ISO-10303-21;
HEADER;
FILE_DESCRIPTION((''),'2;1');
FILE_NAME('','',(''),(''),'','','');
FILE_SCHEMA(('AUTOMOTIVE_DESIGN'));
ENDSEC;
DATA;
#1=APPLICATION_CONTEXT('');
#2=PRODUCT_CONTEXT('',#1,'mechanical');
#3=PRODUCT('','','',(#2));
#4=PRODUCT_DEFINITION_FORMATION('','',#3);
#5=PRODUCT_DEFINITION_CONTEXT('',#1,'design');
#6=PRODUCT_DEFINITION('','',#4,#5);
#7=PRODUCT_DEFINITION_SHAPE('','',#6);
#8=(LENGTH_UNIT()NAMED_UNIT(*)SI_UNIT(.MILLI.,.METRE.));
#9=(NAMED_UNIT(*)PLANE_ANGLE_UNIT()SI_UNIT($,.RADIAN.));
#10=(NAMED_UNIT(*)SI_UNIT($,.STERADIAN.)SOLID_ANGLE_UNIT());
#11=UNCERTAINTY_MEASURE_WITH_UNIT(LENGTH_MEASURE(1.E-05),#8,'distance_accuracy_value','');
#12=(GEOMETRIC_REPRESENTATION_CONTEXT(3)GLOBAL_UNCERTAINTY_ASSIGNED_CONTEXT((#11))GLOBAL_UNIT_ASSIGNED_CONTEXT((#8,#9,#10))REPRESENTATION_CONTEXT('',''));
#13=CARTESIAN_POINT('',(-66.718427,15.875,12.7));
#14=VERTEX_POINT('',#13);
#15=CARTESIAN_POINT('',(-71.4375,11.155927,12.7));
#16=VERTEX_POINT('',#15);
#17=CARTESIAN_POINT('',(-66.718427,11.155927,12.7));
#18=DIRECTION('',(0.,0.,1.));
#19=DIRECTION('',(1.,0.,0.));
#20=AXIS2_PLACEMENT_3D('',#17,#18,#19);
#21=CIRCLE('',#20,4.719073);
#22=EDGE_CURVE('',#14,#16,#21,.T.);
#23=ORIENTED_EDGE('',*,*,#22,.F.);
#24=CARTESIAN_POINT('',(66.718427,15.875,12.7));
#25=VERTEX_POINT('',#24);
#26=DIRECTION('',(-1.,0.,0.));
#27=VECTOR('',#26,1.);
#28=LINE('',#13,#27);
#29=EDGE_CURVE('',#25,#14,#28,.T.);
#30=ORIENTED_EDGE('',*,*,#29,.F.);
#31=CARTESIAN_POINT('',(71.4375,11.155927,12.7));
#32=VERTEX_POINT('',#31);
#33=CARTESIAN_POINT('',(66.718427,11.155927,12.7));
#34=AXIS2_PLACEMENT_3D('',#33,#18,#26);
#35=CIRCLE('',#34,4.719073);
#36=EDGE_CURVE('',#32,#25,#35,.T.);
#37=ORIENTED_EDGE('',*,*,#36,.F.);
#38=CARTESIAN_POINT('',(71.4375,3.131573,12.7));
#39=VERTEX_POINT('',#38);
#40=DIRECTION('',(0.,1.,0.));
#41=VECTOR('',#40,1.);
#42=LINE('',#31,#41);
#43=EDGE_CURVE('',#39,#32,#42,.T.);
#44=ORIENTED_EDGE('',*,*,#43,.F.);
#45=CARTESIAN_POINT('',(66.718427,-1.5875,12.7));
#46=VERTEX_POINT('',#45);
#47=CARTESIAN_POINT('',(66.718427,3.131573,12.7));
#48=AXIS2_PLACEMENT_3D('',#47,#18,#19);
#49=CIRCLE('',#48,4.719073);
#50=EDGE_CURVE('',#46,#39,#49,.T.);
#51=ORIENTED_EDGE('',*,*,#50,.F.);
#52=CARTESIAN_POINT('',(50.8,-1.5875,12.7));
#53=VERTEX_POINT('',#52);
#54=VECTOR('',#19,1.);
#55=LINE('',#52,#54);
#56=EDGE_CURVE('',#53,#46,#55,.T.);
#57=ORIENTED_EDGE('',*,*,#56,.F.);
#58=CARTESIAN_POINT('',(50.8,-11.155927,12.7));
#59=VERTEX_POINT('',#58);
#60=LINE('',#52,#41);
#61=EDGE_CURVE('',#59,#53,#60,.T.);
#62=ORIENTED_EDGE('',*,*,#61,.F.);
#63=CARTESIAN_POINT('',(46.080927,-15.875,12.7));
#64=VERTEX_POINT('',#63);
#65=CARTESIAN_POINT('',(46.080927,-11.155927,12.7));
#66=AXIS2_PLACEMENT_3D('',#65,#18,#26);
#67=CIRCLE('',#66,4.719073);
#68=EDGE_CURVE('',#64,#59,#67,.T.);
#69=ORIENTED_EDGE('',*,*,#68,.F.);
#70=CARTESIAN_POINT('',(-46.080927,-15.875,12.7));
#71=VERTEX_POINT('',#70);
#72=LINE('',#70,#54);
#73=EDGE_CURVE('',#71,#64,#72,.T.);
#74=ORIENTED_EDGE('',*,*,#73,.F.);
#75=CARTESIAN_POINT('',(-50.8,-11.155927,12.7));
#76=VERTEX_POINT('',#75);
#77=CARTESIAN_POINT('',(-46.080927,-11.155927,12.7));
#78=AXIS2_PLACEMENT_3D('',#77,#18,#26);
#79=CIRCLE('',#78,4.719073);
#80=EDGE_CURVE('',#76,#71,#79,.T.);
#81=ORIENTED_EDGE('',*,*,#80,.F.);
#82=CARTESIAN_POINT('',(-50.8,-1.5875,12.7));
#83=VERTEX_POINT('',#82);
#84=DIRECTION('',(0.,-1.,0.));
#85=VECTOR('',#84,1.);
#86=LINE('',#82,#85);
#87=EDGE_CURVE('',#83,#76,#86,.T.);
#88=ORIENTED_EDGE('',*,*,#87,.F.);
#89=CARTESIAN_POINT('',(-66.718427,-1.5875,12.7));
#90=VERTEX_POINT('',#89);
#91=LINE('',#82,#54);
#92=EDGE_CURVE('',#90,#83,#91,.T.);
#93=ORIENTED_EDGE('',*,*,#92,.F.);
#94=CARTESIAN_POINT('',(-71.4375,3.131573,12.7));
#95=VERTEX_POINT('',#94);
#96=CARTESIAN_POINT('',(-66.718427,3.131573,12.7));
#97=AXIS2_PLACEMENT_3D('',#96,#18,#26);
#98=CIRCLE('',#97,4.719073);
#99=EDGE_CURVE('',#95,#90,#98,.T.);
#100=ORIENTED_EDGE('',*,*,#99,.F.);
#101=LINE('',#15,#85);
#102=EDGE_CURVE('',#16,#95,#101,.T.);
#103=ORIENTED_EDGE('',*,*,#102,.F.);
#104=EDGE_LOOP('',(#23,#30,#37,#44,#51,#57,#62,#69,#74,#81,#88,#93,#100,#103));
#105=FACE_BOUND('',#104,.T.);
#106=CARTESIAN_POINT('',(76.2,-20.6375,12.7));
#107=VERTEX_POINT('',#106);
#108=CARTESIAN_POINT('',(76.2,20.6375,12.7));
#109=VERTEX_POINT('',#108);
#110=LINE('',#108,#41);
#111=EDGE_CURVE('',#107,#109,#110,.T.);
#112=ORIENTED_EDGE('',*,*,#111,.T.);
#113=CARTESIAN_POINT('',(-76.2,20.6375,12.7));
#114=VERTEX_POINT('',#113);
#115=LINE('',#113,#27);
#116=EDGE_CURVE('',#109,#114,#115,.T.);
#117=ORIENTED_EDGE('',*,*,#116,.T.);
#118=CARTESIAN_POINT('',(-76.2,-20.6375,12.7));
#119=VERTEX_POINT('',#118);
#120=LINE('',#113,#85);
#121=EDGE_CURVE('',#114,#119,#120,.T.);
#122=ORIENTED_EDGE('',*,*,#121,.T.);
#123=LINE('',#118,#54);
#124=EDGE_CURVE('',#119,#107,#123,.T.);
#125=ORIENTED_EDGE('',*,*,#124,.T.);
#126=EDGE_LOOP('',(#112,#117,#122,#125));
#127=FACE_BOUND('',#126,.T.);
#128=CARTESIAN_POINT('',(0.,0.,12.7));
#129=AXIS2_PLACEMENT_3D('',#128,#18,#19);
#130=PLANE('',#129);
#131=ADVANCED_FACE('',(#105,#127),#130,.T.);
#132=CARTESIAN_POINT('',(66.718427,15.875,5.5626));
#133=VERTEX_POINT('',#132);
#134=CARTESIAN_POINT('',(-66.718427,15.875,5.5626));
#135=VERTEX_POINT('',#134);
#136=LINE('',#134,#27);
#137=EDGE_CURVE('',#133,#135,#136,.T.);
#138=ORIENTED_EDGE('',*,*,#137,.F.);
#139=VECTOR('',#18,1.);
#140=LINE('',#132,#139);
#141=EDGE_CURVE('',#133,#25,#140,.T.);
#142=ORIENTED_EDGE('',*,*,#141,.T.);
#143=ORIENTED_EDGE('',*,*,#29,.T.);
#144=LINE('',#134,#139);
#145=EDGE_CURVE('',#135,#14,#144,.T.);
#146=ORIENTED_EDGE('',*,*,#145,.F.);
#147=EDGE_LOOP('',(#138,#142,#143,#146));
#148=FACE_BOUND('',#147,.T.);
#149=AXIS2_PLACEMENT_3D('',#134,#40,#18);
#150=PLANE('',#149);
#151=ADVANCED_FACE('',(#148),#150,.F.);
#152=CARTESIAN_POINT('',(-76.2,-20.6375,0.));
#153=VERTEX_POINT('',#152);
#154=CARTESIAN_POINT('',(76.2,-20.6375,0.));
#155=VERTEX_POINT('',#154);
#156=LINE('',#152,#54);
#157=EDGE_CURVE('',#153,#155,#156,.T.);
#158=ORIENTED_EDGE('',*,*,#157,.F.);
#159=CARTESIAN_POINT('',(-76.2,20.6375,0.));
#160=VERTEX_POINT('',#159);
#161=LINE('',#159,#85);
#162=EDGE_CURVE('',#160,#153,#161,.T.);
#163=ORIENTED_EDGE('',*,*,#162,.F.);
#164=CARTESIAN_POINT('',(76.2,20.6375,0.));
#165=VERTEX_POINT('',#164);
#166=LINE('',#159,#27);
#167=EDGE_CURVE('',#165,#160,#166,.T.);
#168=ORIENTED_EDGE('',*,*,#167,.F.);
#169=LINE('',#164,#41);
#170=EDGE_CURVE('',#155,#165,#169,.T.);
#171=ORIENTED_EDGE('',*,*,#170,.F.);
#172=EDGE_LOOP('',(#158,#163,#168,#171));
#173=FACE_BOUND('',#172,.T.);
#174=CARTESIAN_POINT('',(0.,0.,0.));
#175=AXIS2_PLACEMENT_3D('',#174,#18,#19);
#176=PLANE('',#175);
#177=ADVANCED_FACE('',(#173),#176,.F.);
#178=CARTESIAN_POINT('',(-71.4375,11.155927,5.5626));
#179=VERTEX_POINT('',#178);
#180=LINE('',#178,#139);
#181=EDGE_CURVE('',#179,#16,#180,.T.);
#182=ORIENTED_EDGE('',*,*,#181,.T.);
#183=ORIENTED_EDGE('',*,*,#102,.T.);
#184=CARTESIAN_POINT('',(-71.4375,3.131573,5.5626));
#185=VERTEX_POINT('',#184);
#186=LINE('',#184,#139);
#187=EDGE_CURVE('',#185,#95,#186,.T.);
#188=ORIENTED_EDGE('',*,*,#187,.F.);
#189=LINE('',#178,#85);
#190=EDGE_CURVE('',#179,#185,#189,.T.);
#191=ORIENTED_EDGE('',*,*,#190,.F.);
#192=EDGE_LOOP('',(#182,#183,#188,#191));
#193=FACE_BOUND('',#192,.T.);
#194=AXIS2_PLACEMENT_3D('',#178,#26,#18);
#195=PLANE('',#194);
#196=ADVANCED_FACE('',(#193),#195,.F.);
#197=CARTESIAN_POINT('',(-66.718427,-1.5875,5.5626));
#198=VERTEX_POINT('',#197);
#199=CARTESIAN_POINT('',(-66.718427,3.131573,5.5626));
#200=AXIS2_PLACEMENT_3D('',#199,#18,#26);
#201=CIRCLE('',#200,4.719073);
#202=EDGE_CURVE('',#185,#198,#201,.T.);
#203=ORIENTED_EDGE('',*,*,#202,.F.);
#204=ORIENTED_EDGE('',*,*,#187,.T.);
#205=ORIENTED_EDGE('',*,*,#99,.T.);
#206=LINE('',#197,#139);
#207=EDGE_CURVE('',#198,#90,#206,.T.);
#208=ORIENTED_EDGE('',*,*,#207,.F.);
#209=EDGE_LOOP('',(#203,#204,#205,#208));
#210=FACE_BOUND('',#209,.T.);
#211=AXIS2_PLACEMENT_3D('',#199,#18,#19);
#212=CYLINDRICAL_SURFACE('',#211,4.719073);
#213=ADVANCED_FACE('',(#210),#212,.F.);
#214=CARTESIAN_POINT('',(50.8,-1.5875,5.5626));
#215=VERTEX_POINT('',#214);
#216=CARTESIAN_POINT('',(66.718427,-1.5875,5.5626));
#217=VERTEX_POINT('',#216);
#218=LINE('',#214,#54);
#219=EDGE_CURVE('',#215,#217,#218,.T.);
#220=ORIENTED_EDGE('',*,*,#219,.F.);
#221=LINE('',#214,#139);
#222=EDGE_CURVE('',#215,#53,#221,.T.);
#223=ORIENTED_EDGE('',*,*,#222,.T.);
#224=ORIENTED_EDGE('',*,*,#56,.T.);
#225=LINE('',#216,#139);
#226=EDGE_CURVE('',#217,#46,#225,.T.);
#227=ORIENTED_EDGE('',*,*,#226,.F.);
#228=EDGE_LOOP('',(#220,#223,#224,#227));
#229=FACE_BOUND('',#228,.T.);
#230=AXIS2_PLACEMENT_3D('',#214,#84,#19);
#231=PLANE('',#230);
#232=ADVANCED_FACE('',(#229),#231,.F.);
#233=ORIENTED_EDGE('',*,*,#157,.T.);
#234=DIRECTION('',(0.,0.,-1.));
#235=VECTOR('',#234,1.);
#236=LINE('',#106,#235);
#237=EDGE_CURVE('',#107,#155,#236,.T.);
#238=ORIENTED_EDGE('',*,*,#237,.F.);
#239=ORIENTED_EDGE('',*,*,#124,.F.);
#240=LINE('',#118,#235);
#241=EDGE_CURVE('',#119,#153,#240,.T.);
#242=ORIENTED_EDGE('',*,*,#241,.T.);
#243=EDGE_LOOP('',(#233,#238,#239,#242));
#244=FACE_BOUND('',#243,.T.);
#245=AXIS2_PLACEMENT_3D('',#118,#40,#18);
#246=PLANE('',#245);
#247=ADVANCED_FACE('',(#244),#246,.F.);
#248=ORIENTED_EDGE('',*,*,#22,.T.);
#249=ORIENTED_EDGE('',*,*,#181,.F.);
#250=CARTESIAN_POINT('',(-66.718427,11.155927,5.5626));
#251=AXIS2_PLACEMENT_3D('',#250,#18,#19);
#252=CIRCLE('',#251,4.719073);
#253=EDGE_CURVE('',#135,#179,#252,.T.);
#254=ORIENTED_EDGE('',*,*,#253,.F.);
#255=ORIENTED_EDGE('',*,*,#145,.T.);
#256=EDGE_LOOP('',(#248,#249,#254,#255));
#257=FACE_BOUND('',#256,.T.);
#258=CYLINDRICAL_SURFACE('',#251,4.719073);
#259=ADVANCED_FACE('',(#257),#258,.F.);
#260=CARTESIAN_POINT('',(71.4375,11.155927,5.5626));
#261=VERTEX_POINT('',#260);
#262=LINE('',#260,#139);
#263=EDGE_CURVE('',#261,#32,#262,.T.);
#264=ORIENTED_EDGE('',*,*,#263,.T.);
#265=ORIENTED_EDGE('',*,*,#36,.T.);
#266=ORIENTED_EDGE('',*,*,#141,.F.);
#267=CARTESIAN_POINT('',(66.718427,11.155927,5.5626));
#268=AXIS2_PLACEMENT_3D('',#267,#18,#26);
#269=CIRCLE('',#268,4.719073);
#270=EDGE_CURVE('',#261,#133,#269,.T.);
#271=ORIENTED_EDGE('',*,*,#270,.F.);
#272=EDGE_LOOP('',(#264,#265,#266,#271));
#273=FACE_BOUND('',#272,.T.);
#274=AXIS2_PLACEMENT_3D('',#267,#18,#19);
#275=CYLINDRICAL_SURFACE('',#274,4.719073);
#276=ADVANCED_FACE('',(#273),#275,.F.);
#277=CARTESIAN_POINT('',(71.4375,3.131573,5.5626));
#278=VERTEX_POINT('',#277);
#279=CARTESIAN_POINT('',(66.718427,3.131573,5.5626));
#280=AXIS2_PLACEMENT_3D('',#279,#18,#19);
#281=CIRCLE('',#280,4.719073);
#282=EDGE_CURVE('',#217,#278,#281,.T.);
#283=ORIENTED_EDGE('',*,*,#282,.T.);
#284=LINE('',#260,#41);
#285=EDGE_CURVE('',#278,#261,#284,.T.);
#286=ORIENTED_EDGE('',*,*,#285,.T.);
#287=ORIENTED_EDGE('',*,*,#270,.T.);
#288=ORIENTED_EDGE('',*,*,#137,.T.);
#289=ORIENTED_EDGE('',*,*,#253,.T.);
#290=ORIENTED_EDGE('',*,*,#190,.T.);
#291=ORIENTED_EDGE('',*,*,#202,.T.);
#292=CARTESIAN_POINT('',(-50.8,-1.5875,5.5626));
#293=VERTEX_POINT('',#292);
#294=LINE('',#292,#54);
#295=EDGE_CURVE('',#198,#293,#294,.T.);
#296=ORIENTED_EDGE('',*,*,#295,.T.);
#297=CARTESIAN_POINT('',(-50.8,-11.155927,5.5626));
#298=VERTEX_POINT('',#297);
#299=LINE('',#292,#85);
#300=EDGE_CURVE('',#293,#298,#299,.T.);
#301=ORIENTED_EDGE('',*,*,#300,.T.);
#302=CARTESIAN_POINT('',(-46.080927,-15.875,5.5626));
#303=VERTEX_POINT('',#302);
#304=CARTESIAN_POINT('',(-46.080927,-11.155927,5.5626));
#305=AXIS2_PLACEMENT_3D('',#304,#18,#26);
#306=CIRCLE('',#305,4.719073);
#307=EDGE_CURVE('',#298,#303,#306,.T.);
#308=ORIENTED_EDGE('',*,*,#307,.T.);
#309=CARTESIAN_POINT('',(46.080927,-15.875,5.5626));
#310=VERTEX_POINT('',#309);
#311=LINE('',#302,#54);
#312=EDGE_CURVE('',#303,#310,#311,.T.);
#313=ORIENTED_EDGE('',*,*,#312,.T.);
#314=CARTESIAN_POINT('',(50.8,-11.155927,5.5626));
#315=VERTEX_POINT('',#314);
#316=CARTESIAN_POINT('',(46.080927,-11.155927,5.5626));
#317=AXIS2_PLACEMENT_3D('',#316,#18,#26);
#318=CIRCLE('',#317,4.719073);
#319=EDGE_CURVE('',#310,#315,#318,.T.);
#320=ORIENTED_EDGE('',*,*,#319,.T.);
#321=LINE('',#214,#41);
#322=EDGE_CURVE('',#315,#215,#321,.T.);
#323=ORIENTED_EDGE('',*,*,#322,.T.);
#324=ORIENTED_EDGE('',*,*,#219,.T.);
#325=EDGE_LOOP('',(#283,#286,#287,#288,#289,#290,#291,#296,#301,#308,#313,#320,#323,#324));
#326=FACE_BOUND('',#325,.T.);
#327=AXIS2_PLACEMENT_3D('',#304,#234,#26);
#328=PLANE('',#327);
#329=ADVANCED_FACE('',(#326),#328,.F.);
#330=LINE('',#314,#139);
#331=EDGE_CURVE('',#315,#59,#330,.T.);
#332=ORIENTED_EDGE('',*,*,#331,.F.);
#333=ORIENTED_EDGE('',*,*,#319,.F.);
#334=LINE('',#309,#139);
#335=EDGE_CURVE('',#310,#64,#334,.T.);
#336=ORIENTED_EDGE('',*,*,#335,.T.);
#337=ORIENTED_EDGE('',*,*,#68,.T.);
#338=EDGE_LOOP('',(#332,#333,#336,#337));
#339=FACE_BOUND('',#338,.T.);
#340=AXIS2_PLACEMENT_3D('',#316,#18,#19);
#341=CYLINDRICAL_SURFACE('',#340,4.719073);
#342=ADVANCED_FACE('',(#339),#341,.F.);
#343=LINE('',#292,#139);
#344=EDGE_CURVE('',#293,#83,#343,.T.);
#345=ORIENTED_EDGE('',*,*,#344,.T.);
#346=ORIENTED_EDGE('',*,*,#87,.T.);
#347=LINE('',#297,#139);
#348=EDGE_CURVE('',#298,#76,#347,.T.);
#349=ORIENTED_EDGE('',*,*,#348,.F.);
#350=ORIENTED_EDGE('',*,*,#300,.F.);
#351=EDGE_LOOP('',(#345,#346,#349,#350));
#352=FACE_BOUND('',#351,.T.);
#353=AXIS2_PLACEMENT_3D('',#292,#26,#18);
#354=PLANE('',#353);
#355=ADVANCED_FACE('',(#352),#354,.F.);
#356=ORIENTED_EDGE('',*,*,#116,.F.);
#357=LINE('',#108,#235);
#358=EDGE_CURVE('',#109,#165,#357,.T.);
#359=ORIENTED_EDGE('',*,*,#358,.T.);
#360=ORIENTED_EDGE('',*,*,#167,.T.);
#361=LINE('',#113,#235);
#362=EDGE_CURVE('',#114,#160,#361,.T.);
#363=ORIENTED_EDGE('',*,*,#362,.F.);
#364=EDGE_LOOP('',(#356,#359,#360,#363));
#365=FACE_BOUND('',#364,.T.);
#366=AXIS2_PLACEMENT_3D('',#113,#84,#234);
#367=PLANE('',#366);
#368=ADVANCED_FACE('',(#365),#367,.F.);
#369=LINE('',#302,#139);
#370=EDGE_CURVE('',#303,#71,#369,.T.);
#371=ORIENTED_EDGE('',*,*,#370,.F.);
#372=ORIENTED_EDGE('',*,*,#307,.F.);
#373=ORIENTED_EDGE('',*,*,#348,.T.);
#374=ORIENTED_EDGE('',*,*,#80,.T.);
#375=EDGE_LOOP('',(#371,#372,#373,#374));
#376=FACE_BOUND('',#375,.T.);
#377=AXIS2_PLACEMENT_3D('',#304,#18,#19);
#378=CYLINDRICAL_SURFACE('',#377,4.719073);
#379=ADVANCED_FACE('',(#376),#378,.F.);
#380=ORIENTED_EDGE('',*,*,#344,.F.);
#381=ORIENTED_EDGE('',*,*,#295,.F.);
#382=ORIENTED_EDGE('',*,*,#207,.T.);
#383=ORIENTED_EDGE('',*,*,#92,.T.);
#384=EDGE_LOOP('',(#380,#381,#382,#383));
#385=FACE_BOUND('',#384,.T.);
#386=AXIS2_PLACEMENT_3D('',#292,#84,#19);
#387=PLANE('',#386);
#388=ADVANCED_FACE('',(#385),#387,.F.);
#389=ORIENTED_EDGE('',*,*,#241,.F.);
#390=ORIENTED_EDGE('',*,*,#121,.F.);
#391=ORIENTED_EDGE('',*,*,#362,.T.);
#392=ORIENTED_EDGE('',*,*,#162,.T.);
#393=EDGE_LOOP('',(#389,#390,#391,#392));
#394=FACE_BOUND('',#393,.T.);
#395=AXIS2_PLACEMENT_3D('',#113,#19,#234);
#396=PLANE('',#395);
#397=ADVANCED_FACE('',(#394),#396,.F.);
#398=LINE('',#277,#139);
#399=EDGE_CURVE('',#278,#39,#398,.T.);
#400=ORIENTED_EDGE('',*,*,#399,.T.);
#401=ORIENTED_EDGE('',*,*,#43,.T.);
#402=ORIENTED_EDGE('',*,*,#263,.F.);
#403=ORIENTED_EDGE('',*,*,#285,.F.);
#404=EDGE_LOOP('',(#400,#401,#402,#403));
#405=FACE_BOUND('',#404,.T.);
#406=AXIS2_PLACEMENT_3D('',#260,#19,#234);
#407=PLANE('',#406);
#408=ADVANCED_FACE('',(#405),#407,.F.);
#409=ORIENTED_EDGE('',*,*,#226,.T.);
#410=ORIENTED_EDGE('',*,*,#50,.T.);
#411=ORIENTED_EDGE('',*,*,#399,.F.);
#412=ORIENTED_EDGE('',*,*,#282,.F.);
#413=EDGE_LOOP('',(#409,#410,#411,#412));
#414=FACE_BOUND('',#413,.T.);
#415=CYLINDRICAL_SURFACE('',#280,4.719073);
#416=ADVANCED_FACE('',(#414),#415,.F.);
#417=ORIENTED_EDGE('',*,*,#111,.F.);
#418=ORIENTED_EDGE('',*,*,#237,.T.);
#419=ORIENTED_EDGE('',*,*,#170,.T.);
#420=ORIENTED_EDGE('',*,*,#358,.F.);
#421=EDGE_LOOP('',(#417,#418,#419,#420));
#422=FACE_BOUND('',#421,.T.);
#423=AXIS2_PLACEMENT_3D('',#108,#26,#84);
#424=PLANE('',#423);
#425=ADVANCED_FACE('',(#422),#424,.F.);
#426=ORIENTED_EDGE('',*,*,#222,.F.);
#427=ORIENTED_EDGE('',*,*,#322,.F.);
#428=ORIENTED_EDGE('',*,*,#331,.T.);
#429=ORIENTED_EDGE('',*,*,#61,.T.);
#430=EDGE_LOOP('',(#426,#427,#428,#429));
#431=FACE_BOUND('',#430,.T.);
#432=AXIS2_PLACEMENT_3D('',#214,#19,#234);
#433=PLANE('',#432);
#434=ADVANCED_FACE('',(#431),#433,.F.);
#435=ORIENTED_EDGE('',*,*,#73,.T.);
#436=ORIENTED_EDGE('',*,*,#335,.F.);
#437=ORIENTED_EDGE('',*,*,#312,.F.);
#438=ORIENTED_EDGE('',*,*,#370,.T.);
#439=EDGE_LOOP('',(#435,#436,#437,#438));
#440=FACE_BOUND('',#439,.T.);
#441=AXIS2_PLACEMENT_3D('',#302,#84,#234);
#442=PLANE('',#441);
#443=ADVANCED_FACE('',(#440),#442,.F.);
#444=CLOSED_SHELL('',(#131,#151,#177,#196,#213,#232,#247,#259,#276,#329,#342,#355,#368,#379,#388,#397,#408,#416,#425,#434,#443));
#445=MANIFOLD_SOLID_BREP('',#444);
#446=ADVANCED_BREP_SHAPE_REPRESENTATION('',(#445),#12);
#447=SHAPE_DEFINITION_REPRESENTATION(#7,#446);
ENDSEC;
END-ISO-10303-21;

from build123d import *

# Parameters (mm, degrees)
SKETCH1_W           = 152.4
SKETCH1_H           = 41.275
BOSS_EXTRUDE1_DEPTH = 12.7
CUT_EXTRUDE1_DEPTH  = 7.1374


with BuildPart() as part:
    # Sketch1 → Boss-Extrude1 (new body)
    with BuildSketch(Plane.XY):
        Rectangle(SKETCH1_W, SKETCH1_H)
    extrude(amount=BOSS_EXTRUDE1_DEPTH)

    # Sketch2 → Cut-Extrude1 (cut)
    with BuildSketch(Plane.XY.offset(12.7)):
        with BuildLine():
            Line((-66.718427065, 15.875), (66.718427065, 15.875))
            ThreePointArc((66.718427065, 15.875), (70.055315538, 14.492815538), (71.4375, 11.155927065))
            Line((71.4375, 11.155927065), (71.4375, 3.131572935))
            ThreePointArc((71.4375, 3.131572935), (70.055315538, -0.205315538), (66.718427065, -1.5875))
            Line((66.718427065, -1.5875), (50.8, -1.5875))
            Line((50.8, -1.5875), (50.8, -11.155927065))
            ThreePointArc((50.8, -11.155927065), (49.417815538, -14.492815538), (46.080927065, -15.875))
            Line((46.080927065, -15.875), (-46.080927065, -15.875))
            ThreePointArc((-46.080927065, -15.875), (-49.417815538, -14.492815538), (-50.8, -11.155927065))
            Line((-50.8, -11.155927065), (-50.8, -1.5875))
            Line((-50.8, -1.5875), (-66.718427065, -1.5875))
            ThreePointArc((-66.718427065, -1.5875), (-70.055315538, -0.205315538), (-71.4375, 3.131572935))
            Line((-71.4375, 3.131572935), (-71.4375, 11.155927065))
            ThreePointArc((-71.4375, 11.155927065), (-70.055315538, 14.492815538), (-66.718427065, 15.875))
        make_face()
    extrude(amount=-CUT_EXTRUDE1_DEPTH, mode=Mode.SUBTRACT)


solid = part.part
